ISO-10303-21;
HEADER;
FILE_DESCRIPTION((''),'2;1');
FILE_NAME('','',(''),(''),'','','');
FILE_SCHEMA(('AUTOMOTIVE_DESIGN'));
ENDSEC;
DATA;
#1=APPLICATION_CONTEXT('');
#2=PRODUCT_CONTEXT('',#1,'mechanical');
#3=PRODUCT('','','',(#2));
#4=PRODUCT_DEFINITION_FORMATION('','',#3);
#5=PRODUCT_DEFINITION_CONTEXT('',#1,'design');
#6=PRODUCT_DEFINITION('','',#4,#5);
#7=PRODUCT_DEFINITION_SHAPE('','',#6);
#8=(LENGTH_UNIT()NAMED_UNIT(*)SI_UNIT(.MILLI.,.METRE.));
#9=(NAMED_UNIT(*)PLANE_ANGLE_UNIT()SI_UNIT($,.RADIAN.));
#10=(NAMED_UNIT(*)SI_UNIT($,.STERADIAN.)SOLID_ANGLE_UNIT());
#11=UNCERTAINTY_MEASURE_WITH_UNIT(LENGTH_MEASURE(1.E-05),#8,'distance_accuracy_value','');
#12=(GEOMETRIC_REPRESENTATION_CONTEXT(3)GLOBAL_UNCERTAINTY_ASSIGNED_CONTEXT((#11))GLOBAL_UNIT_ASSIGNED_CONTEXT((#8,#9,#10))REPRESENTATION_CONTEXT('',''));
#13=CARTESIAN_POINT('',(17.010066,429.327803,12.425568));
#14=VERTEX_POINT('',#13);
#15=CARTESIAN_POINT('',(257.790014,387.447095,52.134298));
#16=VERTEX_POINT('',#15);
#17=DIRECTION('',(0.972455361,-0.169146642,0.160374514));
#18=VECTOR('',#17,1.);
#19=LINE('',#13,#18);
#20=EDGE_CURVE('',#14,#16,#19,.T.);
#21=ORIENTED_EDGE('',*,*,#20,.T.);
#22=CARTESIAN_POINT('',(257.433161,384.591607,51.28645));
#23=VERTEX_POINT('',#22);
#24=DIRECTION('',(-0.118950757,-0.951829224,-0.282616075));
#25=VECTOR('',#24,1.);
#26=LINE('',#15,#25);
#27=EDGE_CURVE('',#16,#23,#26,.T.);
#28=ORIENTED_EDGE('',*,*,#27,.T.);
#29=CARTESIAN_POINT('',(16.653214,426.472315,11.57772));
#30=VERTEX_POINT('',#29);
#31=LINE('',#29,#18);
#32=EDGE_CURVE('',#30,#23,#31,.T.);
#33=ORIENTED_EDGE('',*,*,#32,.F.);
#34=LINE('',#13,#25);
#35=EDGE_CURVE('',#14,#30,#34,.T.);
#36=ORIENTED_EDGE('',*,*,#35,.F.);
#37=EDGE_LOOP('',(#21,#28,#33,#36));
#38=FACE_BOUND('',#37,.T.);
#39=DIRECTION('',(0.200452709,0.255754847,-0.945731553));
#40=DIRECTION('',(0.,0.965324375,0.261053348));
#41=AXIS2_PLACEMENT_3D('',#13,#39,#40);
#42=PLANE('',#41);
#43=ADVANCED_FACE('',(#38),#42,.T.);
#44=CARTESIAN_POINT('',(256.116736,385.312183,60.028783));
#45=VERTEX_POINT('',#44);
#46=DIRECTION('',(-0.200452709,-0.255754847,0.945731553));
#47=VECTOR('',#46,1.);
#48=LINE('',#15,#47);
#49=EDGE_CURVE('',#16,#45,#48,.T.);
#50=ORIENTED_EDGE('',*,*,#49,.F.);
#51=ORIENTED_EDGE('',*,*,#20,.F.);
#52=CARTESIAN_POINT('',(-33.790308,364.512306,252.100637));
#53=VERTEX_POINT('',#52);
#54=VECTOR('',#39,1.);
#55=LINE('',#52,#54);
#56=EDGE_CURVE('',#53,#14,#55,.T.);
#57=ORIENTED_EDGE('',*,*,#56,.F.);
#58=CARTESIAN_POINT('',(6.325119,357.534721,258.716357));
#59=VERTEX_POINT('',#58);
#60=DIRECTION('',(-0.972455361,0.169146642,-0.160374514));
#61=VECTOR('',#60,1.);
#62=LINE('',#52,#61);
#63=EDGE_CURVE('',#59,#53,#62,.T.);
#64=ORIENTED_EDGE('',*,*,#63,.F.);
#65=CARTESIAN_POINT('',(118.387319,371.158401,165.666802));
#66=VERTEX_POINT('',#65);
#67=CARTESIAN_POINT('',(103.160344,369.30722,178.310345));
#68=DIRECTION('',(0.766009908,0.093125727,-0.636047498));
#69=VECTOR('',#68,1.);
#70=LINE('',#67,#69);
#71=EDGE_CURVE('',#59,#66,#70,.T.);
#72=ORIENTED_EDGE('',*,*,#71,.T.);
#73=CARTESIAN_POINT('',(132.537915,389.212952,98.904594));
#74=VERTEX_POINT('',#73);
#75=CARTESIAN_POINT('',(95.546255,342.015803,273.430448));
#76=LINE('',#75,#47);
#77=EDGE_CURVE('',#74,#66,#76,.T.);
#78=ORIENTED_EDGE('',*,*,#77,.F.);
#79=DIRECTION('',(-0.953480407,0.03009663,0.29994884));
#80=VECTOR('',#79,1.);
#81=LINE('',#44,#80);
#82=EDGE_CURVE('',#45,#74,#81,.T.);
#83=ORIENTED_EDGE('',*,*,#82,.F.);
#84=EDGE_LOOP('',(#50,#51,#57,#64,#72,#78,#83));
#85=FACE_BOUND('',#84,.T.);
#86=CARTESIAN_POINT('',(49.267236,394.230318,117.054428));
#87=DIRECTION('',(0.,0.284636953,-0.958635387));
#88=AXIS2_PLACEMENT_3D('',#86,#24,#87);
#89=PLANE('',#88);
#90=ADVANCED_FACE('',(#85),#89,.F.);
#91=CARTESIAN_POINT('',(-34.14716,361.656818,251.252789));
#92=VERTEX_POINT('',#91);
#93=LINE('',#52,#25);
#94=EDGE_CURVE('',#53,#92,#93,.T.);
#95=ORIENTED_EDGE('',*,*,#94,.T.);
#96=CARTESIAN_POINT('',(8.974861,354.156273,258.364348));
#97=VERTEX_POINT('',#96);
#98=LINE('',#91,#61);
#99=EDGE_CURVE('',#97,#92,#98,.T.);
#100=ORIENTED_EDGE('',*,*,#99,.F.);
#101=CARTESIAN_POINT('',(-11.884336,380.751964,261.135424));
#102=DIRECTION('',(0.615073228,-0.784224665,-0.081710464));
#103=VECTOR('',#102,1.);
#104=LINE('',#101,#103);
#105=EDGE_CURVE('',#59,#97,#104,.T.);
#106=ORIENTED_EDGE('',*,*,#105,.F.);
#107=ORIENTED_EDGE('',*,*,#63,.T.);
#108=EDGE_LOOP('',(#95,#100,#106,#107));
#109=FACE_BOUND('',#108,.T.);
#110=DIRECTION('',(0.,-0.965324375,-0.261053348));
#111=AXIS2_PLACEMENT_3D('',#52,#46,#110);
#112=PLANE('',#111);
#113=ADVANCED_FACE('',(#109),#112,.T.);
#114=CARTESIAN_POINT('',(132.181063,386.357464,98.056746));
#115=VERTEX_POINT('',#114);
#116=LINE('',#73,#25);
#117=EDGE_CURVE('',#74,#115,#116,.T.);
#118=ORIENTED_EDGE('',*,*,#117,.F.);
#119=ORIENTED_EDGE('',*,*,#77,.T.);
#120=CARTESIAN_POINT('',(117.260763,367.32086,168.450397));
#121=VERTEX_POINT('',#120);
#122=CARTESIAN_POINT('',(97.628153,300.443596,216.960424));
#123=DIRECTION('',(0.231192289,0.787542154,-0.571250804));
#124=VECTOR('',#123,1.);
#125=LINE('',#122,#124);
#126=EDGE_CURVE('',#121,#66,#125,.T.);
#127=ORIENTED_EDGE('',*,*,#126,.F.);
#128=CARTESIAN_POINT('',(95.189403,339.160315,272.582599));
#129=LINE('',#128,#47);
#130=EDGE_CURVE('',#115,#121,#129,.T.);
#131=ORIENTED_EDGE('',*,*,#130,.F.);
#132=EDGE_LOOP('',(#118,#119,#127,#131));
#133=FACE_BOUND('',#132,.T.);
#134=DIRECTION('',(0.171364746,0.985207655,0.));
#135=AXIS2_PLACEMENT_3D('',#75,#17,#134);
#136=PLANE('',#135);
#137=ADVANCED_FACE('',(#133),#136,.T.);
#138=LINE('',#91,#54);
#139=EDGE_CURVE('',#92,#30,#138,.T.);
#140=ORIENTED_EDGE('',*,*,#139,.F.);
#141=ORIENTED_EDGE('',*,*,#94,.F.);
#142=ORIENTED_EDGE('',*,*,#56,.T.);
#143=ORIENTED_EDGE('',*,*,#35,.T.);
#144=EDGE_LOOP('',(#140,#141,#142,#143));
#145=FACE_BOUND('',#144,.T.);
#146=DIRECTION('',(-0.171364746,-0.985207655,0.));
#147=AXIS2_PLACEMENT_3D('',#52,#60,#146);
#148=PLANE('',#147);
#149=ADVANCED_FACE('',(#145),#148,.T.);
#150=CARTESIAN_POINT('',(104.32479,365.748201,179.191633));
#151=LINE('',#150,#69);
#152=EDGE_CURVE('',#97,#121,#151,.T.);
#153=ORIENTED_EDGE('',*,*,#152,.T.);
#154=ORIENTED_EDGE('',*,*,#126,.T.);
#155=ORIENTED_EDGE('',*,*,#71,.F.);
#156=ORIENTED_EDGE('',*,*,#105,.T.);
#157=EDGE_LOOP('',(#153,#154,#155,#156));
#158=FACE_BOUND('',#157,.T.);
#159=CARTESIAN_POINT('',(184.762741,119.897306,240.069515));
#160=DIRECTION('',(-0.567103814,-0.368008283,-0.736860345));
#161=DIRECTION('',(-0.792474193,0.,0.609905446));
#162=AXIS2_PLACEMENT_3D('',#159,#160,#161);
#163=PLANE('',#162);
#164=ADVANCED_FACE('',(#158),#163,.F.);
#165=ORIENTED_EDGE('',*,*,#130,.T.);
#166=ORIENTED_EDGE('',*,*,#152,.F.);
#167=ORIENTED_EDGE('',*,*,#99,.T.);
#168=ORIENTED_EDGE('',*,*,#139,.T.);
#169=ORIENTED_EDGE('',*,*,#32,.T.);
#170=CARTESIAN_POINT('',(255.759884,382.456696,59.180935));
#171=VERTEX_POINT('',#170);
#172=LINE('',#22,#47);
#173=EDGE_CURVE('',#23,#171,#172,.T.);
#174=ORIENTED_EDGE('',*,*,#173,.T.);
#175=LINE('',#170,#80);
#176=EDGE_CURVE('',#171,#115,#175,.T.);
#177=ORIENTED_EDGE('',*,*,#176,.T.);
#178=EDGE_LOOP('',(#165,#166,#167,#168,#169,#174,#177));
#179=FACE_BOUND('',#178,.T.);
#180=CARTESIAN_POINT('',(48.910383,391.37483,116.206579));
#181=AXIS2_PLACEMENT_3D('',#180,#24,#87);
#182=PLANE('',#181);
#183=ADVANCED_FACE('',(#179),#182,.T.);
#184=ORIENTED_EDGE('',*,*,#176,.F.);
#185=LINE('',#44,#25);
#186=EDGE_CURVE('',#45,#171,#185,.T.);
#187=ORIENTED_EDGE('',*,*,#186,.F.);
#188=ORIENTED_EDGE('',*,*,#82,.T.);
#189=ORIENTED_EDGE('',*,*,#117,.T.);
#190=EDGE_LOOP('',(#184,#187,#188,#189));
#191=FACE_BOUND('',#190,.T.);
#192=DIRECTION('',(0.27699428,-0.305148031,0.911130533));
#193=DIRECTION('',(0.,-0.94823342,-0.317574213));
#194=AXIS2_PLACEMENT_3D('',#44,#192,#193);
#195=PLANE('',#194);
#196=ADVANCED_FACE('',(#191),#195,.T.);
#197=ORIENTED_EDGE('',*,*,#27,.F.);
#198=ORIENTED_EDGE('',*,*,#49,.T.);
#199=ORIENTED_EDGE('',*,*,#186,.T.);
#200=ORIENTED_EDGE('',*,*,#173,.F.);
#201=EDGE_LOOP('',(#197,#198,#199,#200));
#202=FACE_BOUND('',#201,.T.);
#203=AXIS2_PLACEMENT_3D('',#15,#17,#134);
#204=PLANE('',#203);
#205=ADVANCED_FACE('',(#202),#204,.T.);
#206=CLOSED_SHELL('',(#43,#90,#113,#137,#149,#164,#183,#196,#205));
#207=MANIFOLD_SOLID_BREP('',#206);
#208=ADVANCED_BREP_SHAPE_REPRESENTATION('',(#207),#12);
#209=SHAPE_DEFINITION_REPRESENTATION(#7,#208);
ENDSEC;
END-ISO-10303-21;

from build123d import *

# Parameters (mm, degrees)
BOSS_EXTRUDE1_DEPTH = 3
CUT_EXTRUDE2_DEPTH  = 80
BOSS_EXTRUDE2_DEPTH = 3


with BuildPart() as part:
    # Sketch1 → Boss-Extrude1 (new body)
    with BuildSketch(Plane(origin=(40.618995436, 405.717520436, 71.391276418), x_dir=(0.935705749, -0.202672232, 0.288753733), z_dir=(-0.118950757, -0.951829224, -0.282616075))):
        Polygon((-9.093557887, 199.496352052), (122.645886532, 181.228380511), (87.83671653, -69.797887318), (-43.902727889, -51.529915777), align=None)
    extrude(amount=-BOSS_EXTRUDE1_DEPTH)

    # Sketch3 → Cut-Extrude2 (cut)
    with BuildSketch(Plane(origin=(184.762741438, 119.897305559, 240.069514855), x_dir=(0.516756682, 0.537673014, -0.66623589), z_dir=(0.567103814, 0.368008283, 0.736860345))):
        Polygon((970.937778761, -219.886702224), (970.937778761, 845.245168422), (-1124.286512281, 775.631358808), (-1124.286512281, -289.500511838), align=None)
    extrude(amount=CUT_EXTRUDE2_DEPTH, mode=Mode.SUBTRACT)

    # Sketch4 → Boss-Extrude2 (add)
    with BuildSketch(Plane(origin=(48.910383393, 391.374830059, 116.206579281), x_dir=(0.992857215, -0.11667261, -0.024940964), z_dir=(-0.118950757, -0.951829224, -0.282616075))):
        Polygon((83.713958284, -16.750212929), (96.993345394, -84.345811369), (209.443931521, -62.254508112), (207.834795901, -54.063581501), align=None)
    extrude(amount=-BOSS_EXTRUDE2_DEPTH)


solid = part.part
